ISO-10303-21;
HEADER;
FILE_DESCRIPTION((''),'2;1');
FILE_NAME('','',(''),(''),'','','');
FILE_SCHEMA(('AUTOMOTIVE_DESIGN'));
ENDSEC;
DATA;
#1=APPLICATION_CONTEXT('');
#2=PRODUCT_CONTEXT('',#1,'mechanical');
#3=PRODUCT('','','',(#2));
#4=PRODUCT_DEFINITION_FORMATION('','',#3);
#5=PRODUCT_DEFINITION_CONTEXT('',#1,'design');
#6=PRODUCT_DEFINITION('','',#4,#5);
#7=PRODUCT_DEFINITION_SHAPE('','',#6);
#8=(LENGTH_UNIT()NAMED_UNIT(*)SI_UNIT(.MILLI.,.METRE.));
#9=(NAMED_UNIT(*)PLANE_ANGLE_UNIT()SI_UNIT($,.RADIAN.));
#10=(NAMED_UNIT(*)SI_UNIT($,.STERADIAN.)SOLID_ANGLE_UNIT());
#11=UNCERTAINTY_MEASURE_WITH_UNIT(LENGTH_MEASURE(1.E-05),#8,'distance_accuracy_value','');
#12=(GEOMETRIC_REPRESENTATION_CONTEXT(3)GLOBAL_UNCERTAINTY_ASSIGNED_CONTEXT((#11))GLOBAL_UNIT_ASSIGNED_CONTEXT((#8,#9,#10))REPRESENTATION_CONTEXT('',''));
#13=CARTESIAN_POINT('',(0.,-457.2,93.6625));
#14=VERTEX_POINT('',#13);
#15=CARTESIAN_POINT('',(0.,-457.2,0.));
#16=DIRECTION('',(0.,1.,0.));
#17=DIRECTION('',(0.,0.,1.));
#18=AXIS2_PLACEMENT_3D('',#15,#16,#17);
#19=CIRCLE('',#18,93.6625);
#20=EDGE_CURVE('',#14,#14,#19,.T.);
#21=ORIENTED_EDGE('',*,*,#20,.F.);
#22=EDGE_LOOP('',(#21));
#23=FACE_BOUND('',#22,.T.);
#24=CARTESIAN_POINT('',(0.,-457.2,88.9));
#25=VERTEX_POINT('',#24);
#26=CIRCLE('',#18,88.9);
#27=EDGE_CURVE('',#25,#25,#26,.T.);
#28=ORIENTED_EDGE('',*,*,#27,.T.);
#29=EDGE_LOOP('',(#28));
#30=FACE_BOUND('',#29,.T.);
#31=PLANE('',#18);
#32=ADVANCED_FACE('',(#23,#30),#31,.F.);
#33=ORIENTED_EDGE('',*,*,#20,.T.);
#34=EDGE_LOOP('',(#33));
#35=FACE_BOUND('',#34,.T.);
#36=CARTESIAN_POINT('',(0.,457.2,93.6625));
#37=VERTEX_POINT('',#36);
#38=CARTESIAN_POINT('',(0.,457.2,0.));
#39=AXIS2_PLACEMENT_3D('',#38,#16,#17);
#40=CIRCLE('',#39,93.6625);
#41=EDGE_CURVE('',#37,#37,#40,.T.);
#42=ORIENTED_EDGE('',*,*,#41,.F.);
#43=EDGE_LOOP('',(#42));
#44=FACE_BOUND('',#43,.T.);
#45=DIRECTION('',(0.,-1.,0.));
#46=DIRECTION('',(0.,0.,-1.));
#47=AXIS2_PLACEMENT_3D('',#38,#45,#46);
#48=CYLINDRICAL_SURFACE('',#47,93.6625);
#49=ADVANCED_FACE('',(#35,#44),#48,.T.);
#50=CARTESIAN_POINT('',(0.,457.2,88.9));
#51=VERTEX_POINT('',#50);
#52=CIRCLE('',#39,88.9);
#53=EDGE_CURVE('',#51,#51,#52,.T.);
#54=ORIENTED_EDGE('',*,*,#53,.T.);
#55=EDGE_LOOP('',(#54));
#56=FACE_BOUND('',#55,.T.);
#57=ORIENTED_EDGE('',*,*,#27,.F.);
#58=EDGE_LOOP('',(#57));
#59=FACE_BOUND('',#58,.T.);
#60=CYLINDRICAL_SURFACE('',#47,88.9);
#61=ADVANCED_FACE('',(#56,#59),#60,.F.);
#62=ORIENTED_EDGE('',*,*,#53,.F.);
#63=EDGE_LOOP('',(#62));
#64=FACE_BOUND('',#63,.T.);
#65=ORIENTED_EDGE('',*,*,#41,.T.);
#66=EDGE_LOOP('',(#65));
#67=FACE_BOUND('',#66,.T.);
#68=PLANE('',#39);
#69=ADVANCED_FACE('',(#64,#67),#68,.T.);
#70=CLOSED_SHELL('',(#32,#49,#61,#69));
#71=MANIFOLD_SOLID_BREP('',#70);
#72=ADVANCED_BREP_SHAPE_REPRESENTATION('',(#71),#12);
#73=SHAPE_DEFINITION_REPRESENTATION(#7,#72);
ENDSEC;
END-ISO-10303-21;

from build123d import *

# Parameters (mm, degrees)
SKETCH1_R           = 93.6625
SKETCH1_R_2         = 88.9
BOSS_EXTRUDE1_DEPTH = 457.2


with BuildPart() as part:
    # Sketch1 → Boss-Extrude1 (new body, symmetric)
    with BuildSketch(Plane(origin=(0, 0, 0), x_dir=(1, 0, 0), z_dir=(0, 1, 0))):
        Circle(SKETCH1_R)
        Circle(SKETCH1_R_2, mode=Mode.SUBTRACT)
    extrude(amount=BOSS_EXTRUDE1_DEPTH, both=True)


solid = part.part
